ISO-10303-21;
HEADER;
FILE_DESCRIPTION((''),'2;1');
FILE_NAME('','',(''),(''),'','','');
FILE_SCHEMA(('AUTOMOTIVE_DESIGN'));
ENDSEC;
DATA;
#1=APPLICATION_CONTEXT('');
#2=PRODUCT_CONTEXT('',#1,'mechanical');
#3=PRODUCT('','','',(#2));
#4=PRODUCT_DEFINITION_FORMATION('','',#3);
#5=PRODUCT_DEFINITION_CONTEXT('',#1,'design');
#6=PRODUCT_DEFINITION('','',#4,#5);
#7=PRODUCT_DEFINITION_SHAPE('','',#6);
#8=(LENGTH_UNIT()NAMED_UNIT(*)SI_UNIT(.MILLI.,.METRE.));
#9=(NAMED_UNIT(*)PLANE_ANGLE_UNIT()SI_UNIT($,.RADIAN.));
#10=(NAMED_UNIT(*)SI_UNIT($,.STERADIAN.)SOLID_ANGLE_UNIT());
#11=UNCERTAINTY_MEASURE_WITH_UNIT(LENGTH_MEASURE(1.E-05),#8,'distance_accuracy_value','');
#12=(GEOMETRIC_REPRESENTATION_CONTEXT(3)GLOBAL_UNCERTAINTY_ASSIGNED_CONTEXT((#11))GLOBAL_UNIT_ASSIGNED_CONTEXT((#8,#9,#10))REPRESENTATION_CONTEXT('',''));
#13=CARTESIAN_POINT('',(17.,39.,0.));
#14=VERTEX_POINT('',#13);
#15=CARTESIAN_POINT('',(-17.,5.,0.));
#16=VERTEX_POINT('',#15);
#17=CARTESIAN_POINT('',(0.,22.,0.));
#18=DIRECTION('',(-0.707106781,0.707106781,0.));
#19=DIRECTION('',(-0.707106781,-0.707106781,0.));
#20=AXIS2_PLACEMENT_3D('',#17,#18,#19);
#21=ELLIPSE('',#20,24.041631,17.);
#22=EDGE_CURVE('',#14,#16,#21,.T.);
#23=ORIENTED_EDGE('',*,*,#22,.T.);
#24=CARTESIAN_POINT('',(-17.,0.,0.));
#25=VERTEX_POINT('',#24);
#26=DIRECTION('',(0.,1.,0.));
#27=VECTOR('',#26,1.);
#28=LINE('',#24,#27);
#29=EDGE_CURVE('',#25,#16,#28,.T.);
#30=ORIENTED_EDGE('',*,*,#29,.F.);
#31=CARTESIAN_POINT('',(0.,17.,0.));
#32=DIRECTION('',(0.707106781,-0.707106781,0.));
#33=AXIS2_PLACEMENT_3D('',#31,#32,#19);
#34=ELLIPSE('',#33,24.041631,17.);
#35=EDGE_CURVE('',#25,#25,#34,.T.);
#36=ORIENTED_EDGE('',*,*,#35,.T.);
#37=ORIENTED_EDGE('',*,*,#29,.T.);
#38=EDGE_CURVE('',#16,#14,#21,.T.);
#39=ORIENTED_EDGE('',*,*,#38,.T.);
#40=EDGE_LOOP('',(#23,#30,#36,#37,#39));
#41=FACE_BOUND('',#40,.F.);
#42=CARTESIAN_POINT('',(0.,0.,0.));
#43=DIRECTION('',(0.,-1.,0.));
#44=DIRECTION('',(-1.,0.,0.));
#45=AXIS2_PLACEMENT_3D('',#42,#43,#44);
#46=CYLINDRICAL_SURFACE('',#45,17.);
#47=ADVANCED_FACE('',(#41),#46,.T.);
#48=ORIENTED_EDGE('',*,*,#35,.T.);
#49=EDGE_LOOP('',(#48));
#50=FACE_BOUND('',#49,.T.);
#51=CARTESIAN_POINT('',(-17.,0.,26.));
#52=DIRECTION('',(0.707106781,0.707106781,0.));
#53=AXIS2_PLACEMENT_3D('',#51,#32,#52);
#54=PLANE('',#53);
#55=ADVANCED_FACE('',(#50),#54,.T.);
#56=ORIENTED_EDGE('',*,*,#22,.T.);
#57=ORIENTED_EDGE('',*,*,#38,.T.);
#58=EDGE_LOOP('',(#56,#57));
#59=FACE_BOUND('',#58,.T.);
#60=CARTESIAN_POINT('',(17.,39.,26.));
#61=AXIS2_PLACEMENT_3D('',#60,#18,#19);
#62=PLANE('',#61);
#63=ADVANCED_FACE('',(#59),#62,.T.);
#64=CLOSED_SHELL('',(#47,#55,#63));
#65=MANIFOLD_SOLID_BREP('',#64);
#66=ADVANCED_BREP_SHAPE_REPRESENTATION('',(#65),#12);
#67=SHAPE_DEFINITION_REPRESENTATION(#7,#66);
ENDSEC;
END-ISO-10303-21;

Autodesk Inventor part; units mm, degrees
ref_plane "YZ Plane" through (0, 0, 0) normal (1, 0, 0) x (0, 1, 0)
ref_plane "XZ Plane" through (0, 0, 0) normal (0, 1, 0) x (-1, 0, 0)
sketch "Szkic1" plane through (0, 0, 0) normal (0, 1, 0) x (-1, 0, 0)
  circle A0 centre (0, 0) radius 17
  dimension "d0" = 34
extrude "Wyciągnięcie proste1" add sketch "Szkic1" along normal blind 39
ref_plane "Płaszczyzna konstrukcyjna1" through (0, 0, 26) normal (0, 0, 1) x (1, 0, 0)
sketch "Szkic3" plane through (0, 0, 26) normal (0, 0, 1) x (1, 0, 0)
  line L0 (17, 39) -> (-17, 39) projected
  line L1 (-17, 39) -> (17, 39)
  line L2 (17, 39) -> (-18.3291, 3.6709)
  line L3 (-18.3291, 3.6709) -> (-17, 39)
  line L4 (-17, 0) -> (17, 0) projected
  line L5 (17, 0) -> (-17, 0)
  line L6 (-17, 0) -> (20.0902, 37.0902)
  line L7 (20.0902, 37.0902) -> (17, 0)
  point P0 (0, 0)
  dimension "d4" = 45
  dimension "d5" = 45
extrude "Wyciągnięcie proste2" cut sketch "Szkic3" against normal blind 53.75
properties material "Srebrny"
